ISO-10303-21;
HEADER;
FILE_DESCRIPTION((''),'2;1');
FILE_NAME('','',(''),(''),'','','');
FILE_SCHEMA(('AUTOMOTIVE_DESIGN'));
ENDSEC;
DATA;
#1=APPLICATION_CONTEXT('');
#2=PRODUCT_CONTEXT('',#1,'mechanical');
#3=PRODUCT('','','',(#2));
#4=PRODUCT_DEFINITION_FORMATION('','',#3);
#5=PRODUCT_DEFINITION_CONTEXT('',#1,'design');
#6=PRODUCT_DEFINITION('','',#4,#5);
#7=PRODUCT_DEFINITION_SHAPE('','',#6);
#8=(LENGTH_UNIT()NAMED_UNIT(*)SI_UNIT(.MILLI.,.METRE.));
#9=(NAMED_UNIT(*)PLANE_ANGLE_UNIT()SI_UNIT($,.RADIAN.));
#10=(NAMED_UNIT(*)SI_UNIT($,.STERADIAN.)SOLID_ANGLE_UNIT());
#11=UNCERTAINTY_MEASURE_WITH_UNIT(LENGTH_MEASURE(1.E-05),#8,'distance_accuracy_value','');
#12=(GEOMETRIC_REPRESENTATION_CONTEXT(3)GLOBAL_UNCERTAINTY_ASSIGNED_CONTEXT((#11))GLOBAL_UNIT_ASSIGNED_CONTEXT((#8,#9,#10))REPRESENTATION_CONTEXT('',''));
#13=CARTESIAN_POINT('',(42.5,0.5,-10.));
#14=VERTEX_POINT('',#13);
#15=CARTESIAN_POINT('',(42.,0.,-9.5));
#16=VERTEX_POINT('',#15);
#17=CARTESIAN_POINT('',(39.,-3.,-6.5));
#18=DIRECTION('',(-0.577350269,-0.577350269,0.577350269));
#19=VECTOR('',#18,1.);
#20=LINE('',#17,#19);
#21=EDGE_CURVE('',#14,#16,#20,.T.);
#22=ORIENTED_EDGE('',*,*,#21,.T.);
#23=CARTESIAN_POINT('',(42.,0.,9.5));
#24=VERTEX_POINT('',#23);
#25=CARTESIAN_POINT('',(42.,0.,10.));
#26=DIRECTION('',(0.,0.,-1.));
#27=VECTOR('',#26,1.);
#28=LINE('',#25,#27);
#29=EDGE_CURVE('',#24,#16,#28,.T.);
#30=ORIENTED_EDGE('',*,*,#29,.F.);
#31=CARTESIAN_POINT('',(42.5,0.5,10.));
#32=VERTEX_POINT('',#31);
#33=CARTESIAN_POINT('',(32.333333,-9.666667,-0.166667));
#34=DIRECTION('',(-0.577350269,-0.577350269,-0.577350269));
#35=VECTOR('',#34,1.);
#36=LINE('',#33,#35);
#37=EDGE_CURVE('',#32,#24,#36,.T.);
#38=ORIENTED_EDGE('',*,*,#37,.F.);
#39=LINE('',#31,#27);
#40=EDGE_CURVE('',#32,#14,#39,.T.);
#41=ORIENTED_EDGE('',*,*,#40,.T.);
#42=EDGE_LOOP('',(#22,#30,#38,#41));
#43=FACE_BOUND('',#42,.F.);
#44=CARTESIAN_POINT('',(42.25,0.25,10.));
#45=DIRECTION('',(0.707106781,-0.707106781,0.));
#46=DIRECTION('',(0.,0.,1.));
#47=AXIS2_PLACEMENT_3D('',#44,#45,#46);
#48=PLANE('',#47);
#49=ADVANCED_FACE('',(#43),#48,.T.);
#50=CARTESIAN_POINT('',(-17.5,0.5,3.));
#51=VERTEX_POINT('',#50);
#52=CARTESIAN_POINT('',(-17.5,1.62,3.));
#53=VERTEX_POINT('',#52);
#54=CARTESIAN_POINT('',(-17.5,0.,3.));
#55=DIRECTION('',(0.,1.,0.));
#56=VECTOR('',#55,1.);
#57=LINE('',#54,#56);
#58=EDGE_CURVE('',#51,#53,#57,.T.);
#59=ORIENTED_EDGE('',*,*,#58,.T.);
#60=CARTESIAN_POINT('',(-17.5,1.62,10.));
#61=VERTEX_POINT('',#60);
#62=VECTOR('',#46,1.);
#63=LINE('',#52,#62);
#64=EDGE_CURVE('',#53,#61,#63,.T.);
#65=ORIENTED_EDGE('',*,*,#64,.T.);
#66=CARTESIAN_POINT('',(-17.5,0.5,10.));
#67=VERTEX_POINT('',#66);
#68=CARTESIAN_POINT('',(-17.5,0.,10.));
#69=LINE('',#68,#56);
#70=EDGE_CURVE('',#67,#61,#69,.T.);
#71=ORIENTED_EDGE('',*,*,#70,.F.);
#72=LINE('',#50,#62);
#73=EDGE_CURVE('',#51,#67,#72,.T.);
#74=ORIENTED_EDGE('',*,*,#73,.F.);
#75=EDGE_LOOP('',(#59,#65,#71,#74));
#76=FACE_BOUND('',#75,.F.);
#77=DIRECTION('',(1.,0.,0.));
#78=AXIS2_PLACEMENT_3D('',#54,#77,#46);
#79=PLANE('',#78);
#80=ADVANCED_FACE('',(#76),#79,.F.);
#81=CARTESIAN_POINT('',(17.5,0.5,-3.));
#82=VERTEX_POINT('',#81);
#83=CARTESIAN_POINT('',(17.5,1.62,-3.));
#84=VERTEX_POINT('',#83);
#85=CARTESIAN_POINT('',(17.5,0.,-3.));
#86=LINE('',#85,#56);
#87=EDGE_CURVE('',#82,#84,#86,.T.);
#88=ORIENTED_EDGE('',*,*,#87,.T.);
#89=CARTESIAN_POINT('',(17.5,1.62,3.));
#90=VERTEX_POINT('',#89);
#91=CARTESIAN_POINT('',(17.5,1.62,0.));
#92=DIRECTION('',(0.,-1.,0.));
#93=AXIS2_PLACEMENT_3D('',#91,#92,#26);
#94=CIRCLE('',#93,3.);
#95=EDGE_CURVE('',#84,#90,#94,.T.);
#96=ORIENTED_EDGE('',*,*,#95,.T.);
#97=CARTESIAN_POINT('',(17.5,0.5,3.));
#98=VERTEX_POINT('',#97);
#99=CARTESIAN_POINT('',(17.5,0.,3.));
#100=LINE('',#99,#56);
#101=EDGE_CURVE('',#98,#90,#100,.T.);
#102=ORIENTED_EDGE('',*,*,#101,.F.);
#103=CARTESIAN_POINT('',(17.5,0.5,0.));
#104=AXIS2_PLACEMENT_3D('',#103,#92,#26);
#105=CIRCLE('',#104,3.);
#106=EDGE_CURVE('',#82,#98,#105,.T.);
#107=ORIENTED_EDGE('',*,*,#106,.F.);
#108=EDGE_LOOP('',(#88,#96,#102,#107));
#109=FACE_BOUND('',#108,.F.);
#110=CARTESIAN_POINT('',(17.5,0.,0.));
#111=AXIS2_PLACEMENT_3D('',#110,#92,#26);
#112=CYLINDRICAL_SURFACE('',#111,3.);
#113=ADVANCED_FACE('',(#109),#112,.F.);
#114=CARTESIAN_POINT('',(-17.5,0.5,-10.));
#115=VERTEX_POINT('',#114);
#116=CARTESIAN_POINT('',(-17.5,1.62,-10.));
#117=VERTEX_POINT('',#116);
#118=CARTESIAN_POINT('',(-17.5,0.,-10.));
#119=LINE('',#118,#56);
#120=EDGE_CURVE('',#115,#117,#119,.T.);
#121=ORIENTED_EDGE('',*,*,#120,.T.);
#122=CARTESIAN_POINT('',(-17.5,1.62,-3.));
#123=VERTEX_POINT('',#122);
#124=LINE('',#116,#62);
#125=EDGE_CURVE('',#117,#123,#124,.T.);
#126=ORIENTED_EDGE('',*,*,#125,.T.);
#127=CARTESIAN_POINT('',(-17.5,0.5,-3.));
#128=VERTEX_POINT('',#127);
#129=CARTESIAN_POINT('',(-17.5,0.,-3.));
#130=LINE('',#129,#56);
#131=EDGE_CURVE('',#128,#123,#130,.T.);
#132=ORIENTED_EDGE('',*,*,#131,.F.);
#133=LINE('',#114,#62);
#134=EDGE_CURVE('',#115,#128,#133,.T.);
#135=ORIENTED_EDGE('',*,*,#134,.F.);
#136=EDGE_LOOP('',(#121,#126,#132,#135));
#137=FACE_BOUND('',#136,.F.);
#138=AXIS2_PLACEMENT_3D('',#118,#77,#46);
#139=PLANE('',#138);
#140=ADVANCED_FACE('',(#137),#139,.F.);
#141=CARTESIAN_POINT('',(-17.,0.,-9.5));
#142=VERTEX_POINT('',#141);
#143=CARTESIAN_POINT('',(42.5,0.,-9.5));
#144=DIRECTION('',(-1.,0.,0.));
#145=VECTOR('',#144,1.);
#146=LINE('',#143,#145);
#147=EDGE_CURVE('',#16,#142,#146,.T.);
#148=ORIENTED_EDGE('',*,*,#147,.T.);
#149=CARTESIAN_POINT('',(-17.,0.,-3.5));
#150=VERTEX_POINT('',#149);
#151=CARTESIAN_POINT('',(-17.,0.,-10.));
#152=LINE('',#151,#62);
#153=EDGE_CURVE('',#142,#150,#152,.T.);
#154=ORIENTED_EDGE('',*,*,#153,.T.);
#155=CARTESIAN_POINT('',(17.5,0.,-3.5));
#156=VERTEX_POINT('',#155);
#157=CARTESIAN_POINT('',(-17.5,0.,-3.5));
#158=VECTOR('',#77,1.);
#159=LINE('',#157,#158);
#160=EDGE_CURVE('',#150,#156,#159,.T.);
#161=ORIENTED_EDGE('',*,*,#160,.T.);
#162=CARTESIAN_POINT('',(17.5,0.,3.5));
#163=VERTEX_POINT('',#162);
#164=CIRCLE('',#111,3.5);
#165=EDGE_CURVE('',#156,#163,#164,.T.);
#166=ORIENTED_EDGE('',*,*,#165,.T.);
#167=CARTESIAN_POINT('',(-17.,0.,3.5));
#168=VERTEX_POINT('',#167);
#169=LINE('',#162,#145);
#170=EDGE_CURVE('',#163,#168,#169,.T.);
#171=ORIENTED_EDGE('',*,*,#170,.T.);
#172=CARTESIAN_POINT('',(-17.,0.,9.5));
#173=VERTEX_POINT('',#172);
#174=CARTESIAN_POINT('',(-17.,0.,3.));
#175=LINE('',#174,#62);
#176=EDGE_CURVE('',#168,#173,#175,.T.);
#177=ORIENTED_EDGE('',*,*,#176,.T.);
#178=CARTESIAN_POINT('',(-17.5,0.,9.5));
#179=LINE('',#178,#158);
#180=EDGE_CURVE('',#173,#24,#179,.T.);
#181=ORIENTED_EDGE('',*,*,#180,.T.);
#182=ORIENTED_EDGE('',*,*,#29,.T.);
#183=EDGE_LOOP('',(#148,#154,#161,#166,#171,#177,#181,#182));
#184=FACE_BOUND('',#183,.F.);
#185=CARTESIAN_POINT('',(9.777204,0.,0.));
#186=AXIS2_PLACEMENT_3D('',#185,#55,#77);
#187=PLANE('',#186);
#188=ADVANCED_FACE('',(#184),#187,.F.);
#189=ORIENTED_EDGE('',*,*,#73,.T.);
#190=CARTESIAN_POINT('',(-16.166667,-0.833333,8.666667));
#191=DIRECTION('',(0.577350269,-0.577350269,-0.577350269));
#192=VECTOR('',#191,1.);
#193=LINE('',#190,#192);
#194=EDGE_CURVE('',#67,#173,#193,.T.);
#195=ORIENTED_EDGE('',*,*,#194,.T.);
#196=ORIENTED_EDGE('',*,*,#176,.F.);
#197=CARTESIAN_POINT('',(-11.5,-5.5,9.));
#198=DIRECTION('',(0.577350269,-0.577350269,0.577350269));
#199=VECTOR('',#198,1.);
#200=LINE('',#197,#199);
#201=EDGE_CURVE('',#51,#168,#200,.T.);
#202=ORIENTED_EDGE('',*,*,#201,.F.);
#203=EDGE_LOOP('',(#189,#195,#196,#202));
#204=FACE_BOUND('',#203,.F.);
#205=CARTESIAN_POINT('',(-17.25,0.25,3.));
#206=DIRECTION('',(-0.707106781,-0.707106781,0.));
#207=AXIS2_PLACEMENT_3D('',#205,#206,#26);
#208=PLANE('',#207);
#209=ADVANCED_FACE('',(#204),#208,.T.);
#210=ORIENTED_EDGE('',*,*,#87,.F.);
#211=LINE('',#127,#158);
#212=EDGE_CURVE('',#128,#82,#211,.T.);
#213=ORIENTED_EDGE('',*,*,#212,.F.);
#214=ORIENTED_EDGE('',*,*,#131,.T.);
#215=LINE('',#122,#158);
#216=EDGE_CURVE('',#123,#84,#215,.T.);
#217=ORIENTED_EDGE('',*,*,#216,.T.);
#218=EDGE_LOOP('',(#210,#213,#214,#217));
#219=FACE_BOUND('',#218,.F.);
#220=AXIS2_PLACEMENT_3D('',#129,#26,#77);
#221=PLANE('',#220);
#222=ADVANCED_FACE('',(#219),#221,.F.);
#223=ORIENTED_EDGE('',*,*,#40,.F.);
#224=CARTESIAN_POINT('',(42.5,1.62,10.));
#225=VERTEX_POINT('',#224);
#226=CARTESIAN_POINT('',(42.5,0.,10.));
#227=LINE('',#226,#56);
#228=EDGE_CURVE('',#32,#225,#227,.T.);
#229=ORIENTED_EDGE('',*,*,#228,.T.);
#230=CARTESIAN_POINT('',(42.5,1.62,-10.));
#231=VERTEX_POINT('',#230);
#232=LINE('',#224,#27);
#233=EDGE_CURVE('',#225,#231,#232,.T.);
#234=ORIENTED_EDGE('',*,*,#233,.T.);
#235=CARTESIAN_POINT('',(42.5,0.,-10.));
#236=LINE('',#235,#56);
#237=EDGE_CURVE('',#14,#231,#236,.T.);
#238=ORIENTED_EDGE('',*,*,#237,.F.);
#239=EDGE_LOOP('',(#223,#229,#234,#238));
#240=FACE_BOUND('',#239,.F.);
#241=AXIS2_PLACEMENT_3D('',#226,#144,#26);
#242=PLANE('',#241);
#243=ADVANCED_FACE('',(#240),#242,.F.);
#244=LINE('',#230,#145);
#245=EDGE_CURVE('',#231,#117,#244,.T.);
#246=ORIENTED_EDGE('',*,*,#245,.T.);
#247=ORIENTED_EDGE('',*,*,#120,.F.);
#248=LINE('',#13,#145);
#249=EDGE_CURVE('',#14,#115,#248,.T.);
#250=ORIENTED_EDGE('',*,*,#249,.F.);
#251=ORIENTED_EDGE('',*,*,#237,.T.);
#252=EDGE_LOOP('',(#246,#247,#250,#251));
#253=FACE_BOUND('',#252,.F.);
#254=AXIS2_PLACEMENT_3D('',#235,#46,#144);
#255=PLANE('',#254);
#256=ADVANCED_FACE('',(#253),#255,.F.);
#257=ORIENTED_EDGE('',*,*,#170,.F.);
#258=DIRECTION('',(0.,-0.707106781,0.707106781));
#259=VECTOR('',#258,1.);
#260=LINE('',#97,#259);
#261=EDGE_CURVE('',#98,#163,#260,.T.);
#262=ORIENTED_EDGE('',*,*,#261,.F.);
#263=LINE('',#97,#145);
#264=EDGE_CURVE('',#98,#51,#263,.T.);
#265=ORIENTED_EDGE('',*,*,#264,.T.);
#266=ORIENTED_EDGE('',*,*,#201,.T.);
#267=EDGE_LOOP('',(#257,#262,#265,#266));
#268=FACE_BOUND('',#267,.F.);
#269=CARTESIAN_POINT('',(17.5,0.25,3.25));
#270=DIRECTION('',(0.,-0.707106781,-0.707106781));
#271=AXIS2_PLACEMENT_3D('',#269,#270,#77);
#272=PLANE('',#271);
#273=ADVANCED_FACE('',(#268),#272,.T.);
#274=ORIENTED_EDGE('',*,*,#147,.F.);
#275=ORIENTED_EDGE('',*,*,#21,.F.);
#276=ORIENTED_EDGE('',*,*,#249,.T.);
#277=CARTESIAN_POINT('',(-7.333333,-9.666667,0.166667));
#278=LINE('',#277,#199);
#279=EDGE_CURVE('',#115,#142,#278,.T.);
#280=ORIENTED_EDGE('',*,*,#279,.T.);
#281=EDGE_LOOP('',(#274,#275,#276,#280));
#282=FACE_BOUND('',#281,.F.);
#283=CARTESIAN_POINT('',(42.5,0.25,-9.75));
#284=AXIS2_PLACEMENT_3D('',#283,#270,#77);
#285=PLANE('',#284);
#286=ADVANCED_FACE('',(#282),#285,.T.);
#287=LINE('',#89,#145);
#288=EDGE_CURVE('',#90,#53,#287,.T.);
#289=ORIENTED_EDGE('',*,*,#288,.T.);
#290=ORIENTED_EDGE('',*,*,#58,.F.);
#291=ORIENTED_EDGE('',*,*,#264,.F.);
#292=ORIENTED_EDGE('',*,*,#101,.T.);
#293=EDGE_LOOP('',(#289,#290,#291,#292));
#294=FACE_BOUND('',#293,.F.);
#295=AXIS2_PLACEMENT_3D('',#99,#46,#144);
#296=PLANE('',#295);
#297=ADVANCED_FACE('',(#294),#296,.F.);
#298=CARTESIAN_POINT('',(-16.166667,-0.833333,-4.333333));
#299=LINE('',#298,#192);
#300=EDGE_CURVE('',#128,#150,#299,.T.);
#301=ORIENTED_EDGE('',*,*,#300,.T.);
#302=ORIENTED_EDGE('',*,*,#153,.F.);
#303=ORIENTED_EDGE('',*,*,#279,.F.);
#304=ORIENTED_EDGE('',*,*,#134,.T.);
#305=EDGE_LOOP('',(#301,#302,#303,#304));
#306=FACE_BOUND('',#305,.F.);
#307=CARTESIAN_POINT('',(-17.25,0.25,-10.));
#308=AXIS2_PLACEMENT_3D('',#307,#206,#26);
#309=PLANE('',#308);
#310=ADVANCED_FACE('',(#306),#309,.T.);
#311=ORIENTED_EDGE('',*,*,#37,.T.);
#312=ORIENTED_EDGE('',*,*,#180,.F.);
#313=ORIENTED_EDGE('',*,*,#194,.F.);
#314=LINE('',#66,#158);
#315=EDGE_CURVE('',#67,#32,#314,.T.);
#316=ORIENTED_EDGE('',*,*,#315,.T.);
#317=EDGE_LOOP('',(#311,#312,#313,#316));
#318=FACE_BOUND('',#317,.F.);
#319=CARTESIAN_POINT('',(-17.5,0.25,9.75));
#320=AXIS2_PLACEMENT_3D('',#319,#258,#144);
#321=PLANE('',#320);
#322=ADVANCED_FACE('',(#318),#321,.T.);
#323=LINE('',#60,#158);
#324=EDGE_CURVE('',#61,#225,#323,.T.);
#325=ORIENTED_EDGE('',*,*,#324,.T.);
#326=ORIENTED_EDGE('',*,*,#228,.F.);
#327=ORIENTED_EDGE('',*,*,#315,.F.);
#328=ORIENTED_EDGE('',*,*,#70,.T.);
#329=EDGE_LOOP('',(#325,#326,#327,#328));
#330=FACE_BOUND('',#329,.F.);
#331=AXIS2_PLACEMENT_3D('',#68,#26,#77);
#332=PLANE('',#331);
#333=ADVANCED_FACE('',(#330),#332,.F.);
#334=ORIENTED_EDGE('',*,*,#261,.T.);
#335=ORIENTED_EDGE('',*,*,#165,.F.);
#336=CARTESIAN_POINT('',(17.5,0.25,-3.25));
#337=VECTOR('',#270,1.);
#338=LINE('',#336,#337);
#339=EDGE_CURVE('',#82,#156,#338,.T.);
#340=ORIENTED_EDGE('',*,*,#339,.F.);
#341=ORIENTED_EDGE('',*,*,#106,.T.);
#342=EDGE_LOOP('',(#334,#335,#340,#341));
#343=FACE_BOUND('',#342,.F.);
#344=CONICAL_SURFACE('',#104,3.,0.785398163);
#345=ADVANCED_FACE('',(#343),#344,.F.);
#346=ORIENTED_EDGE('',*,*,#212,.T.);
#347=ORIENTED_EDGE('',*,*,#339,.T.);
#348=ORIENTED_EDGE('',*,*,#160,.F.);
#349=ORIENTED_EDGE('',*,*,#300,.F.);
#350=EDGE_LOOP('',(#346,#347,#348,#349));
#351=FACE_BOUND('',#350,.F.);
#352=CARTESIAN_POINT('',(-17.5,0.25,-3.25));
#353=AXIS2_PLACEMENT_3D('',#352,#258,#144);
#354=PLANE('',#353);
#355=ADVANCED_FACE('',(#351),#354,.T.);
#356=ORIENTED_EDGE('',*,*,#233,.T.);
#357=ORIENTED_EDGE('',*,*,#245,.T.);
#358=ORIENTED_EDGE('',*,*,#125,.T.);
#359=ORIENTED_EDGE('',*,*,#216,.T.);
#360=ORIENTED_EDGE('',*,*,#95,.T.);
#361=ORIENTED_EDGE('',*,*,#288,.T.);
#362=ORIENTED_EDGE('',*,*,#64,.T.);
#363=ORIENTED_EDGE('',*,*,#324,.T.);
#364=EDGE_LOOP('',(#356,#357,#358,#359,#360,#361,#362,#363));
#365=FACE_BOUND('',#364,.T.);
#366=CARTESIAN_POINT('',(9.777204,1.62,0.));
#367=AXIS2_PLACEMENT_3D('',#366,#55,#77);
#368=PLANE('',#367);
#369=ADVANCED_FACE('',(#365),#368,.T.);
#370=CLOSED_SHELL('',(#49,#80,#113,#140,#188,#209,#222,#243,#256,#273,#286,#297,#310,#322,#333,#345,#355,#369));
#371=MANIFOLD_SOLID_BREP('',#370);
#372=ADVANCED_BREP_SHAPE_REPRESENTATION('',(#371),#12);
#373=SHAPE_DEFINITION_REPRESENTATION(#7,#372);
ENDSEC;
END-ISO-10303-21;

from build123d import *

# Parameters (mm, degrees)
BOSS_EXTRUDE1_DEPTH = 1.62
CHAMFER1_SIZE       = 0.5


with BuildPart() as part:
    # Sketch1 → Boss-Extrude1 (new body)
    with BuildSketch(Plane(origin=(0, 0, 0), x_dir=(1, 0, 0), z_dir=(0, 1, 0))):
        with BuildLine():
            ThreePointArc((17.5, 3), (20.5, 0), (17.5, -3))
            Line((17.5, -3), (-17.5, -3))
            Line((-17.5, -3), (-17.5, -10))
            Line((-17.5, -10), (42.5, -10))
            Line((42.5, -10), (42.5, 10))
            Line((42.5, 10), (-17.5, 10))
            Line((-17.5, 10), (-17.5, 3))
            Line((-17.5, 3), (17.5, 3))
        make_face()
    extrude(amount=BOSS_EXTRUDE1_DEPTH)

    # Chamfer1
    chamfer1_edges = [part.edges().sort_by_distance(p)[0] for p in [
        (-17.5, 0, -6.5),
        (12.5, 0, -10),
        (42.5, 0, 0),
        (12.5, 0, 10),
        (-17.5, 0, 6.5),
        (0, 0, 3),
        (20.5, 0, 0),
        (0, 0, -3),
    ]]
    chamfer(chamfer1_edges, length=CHAMFER1_SIZE)


solid = part.part
